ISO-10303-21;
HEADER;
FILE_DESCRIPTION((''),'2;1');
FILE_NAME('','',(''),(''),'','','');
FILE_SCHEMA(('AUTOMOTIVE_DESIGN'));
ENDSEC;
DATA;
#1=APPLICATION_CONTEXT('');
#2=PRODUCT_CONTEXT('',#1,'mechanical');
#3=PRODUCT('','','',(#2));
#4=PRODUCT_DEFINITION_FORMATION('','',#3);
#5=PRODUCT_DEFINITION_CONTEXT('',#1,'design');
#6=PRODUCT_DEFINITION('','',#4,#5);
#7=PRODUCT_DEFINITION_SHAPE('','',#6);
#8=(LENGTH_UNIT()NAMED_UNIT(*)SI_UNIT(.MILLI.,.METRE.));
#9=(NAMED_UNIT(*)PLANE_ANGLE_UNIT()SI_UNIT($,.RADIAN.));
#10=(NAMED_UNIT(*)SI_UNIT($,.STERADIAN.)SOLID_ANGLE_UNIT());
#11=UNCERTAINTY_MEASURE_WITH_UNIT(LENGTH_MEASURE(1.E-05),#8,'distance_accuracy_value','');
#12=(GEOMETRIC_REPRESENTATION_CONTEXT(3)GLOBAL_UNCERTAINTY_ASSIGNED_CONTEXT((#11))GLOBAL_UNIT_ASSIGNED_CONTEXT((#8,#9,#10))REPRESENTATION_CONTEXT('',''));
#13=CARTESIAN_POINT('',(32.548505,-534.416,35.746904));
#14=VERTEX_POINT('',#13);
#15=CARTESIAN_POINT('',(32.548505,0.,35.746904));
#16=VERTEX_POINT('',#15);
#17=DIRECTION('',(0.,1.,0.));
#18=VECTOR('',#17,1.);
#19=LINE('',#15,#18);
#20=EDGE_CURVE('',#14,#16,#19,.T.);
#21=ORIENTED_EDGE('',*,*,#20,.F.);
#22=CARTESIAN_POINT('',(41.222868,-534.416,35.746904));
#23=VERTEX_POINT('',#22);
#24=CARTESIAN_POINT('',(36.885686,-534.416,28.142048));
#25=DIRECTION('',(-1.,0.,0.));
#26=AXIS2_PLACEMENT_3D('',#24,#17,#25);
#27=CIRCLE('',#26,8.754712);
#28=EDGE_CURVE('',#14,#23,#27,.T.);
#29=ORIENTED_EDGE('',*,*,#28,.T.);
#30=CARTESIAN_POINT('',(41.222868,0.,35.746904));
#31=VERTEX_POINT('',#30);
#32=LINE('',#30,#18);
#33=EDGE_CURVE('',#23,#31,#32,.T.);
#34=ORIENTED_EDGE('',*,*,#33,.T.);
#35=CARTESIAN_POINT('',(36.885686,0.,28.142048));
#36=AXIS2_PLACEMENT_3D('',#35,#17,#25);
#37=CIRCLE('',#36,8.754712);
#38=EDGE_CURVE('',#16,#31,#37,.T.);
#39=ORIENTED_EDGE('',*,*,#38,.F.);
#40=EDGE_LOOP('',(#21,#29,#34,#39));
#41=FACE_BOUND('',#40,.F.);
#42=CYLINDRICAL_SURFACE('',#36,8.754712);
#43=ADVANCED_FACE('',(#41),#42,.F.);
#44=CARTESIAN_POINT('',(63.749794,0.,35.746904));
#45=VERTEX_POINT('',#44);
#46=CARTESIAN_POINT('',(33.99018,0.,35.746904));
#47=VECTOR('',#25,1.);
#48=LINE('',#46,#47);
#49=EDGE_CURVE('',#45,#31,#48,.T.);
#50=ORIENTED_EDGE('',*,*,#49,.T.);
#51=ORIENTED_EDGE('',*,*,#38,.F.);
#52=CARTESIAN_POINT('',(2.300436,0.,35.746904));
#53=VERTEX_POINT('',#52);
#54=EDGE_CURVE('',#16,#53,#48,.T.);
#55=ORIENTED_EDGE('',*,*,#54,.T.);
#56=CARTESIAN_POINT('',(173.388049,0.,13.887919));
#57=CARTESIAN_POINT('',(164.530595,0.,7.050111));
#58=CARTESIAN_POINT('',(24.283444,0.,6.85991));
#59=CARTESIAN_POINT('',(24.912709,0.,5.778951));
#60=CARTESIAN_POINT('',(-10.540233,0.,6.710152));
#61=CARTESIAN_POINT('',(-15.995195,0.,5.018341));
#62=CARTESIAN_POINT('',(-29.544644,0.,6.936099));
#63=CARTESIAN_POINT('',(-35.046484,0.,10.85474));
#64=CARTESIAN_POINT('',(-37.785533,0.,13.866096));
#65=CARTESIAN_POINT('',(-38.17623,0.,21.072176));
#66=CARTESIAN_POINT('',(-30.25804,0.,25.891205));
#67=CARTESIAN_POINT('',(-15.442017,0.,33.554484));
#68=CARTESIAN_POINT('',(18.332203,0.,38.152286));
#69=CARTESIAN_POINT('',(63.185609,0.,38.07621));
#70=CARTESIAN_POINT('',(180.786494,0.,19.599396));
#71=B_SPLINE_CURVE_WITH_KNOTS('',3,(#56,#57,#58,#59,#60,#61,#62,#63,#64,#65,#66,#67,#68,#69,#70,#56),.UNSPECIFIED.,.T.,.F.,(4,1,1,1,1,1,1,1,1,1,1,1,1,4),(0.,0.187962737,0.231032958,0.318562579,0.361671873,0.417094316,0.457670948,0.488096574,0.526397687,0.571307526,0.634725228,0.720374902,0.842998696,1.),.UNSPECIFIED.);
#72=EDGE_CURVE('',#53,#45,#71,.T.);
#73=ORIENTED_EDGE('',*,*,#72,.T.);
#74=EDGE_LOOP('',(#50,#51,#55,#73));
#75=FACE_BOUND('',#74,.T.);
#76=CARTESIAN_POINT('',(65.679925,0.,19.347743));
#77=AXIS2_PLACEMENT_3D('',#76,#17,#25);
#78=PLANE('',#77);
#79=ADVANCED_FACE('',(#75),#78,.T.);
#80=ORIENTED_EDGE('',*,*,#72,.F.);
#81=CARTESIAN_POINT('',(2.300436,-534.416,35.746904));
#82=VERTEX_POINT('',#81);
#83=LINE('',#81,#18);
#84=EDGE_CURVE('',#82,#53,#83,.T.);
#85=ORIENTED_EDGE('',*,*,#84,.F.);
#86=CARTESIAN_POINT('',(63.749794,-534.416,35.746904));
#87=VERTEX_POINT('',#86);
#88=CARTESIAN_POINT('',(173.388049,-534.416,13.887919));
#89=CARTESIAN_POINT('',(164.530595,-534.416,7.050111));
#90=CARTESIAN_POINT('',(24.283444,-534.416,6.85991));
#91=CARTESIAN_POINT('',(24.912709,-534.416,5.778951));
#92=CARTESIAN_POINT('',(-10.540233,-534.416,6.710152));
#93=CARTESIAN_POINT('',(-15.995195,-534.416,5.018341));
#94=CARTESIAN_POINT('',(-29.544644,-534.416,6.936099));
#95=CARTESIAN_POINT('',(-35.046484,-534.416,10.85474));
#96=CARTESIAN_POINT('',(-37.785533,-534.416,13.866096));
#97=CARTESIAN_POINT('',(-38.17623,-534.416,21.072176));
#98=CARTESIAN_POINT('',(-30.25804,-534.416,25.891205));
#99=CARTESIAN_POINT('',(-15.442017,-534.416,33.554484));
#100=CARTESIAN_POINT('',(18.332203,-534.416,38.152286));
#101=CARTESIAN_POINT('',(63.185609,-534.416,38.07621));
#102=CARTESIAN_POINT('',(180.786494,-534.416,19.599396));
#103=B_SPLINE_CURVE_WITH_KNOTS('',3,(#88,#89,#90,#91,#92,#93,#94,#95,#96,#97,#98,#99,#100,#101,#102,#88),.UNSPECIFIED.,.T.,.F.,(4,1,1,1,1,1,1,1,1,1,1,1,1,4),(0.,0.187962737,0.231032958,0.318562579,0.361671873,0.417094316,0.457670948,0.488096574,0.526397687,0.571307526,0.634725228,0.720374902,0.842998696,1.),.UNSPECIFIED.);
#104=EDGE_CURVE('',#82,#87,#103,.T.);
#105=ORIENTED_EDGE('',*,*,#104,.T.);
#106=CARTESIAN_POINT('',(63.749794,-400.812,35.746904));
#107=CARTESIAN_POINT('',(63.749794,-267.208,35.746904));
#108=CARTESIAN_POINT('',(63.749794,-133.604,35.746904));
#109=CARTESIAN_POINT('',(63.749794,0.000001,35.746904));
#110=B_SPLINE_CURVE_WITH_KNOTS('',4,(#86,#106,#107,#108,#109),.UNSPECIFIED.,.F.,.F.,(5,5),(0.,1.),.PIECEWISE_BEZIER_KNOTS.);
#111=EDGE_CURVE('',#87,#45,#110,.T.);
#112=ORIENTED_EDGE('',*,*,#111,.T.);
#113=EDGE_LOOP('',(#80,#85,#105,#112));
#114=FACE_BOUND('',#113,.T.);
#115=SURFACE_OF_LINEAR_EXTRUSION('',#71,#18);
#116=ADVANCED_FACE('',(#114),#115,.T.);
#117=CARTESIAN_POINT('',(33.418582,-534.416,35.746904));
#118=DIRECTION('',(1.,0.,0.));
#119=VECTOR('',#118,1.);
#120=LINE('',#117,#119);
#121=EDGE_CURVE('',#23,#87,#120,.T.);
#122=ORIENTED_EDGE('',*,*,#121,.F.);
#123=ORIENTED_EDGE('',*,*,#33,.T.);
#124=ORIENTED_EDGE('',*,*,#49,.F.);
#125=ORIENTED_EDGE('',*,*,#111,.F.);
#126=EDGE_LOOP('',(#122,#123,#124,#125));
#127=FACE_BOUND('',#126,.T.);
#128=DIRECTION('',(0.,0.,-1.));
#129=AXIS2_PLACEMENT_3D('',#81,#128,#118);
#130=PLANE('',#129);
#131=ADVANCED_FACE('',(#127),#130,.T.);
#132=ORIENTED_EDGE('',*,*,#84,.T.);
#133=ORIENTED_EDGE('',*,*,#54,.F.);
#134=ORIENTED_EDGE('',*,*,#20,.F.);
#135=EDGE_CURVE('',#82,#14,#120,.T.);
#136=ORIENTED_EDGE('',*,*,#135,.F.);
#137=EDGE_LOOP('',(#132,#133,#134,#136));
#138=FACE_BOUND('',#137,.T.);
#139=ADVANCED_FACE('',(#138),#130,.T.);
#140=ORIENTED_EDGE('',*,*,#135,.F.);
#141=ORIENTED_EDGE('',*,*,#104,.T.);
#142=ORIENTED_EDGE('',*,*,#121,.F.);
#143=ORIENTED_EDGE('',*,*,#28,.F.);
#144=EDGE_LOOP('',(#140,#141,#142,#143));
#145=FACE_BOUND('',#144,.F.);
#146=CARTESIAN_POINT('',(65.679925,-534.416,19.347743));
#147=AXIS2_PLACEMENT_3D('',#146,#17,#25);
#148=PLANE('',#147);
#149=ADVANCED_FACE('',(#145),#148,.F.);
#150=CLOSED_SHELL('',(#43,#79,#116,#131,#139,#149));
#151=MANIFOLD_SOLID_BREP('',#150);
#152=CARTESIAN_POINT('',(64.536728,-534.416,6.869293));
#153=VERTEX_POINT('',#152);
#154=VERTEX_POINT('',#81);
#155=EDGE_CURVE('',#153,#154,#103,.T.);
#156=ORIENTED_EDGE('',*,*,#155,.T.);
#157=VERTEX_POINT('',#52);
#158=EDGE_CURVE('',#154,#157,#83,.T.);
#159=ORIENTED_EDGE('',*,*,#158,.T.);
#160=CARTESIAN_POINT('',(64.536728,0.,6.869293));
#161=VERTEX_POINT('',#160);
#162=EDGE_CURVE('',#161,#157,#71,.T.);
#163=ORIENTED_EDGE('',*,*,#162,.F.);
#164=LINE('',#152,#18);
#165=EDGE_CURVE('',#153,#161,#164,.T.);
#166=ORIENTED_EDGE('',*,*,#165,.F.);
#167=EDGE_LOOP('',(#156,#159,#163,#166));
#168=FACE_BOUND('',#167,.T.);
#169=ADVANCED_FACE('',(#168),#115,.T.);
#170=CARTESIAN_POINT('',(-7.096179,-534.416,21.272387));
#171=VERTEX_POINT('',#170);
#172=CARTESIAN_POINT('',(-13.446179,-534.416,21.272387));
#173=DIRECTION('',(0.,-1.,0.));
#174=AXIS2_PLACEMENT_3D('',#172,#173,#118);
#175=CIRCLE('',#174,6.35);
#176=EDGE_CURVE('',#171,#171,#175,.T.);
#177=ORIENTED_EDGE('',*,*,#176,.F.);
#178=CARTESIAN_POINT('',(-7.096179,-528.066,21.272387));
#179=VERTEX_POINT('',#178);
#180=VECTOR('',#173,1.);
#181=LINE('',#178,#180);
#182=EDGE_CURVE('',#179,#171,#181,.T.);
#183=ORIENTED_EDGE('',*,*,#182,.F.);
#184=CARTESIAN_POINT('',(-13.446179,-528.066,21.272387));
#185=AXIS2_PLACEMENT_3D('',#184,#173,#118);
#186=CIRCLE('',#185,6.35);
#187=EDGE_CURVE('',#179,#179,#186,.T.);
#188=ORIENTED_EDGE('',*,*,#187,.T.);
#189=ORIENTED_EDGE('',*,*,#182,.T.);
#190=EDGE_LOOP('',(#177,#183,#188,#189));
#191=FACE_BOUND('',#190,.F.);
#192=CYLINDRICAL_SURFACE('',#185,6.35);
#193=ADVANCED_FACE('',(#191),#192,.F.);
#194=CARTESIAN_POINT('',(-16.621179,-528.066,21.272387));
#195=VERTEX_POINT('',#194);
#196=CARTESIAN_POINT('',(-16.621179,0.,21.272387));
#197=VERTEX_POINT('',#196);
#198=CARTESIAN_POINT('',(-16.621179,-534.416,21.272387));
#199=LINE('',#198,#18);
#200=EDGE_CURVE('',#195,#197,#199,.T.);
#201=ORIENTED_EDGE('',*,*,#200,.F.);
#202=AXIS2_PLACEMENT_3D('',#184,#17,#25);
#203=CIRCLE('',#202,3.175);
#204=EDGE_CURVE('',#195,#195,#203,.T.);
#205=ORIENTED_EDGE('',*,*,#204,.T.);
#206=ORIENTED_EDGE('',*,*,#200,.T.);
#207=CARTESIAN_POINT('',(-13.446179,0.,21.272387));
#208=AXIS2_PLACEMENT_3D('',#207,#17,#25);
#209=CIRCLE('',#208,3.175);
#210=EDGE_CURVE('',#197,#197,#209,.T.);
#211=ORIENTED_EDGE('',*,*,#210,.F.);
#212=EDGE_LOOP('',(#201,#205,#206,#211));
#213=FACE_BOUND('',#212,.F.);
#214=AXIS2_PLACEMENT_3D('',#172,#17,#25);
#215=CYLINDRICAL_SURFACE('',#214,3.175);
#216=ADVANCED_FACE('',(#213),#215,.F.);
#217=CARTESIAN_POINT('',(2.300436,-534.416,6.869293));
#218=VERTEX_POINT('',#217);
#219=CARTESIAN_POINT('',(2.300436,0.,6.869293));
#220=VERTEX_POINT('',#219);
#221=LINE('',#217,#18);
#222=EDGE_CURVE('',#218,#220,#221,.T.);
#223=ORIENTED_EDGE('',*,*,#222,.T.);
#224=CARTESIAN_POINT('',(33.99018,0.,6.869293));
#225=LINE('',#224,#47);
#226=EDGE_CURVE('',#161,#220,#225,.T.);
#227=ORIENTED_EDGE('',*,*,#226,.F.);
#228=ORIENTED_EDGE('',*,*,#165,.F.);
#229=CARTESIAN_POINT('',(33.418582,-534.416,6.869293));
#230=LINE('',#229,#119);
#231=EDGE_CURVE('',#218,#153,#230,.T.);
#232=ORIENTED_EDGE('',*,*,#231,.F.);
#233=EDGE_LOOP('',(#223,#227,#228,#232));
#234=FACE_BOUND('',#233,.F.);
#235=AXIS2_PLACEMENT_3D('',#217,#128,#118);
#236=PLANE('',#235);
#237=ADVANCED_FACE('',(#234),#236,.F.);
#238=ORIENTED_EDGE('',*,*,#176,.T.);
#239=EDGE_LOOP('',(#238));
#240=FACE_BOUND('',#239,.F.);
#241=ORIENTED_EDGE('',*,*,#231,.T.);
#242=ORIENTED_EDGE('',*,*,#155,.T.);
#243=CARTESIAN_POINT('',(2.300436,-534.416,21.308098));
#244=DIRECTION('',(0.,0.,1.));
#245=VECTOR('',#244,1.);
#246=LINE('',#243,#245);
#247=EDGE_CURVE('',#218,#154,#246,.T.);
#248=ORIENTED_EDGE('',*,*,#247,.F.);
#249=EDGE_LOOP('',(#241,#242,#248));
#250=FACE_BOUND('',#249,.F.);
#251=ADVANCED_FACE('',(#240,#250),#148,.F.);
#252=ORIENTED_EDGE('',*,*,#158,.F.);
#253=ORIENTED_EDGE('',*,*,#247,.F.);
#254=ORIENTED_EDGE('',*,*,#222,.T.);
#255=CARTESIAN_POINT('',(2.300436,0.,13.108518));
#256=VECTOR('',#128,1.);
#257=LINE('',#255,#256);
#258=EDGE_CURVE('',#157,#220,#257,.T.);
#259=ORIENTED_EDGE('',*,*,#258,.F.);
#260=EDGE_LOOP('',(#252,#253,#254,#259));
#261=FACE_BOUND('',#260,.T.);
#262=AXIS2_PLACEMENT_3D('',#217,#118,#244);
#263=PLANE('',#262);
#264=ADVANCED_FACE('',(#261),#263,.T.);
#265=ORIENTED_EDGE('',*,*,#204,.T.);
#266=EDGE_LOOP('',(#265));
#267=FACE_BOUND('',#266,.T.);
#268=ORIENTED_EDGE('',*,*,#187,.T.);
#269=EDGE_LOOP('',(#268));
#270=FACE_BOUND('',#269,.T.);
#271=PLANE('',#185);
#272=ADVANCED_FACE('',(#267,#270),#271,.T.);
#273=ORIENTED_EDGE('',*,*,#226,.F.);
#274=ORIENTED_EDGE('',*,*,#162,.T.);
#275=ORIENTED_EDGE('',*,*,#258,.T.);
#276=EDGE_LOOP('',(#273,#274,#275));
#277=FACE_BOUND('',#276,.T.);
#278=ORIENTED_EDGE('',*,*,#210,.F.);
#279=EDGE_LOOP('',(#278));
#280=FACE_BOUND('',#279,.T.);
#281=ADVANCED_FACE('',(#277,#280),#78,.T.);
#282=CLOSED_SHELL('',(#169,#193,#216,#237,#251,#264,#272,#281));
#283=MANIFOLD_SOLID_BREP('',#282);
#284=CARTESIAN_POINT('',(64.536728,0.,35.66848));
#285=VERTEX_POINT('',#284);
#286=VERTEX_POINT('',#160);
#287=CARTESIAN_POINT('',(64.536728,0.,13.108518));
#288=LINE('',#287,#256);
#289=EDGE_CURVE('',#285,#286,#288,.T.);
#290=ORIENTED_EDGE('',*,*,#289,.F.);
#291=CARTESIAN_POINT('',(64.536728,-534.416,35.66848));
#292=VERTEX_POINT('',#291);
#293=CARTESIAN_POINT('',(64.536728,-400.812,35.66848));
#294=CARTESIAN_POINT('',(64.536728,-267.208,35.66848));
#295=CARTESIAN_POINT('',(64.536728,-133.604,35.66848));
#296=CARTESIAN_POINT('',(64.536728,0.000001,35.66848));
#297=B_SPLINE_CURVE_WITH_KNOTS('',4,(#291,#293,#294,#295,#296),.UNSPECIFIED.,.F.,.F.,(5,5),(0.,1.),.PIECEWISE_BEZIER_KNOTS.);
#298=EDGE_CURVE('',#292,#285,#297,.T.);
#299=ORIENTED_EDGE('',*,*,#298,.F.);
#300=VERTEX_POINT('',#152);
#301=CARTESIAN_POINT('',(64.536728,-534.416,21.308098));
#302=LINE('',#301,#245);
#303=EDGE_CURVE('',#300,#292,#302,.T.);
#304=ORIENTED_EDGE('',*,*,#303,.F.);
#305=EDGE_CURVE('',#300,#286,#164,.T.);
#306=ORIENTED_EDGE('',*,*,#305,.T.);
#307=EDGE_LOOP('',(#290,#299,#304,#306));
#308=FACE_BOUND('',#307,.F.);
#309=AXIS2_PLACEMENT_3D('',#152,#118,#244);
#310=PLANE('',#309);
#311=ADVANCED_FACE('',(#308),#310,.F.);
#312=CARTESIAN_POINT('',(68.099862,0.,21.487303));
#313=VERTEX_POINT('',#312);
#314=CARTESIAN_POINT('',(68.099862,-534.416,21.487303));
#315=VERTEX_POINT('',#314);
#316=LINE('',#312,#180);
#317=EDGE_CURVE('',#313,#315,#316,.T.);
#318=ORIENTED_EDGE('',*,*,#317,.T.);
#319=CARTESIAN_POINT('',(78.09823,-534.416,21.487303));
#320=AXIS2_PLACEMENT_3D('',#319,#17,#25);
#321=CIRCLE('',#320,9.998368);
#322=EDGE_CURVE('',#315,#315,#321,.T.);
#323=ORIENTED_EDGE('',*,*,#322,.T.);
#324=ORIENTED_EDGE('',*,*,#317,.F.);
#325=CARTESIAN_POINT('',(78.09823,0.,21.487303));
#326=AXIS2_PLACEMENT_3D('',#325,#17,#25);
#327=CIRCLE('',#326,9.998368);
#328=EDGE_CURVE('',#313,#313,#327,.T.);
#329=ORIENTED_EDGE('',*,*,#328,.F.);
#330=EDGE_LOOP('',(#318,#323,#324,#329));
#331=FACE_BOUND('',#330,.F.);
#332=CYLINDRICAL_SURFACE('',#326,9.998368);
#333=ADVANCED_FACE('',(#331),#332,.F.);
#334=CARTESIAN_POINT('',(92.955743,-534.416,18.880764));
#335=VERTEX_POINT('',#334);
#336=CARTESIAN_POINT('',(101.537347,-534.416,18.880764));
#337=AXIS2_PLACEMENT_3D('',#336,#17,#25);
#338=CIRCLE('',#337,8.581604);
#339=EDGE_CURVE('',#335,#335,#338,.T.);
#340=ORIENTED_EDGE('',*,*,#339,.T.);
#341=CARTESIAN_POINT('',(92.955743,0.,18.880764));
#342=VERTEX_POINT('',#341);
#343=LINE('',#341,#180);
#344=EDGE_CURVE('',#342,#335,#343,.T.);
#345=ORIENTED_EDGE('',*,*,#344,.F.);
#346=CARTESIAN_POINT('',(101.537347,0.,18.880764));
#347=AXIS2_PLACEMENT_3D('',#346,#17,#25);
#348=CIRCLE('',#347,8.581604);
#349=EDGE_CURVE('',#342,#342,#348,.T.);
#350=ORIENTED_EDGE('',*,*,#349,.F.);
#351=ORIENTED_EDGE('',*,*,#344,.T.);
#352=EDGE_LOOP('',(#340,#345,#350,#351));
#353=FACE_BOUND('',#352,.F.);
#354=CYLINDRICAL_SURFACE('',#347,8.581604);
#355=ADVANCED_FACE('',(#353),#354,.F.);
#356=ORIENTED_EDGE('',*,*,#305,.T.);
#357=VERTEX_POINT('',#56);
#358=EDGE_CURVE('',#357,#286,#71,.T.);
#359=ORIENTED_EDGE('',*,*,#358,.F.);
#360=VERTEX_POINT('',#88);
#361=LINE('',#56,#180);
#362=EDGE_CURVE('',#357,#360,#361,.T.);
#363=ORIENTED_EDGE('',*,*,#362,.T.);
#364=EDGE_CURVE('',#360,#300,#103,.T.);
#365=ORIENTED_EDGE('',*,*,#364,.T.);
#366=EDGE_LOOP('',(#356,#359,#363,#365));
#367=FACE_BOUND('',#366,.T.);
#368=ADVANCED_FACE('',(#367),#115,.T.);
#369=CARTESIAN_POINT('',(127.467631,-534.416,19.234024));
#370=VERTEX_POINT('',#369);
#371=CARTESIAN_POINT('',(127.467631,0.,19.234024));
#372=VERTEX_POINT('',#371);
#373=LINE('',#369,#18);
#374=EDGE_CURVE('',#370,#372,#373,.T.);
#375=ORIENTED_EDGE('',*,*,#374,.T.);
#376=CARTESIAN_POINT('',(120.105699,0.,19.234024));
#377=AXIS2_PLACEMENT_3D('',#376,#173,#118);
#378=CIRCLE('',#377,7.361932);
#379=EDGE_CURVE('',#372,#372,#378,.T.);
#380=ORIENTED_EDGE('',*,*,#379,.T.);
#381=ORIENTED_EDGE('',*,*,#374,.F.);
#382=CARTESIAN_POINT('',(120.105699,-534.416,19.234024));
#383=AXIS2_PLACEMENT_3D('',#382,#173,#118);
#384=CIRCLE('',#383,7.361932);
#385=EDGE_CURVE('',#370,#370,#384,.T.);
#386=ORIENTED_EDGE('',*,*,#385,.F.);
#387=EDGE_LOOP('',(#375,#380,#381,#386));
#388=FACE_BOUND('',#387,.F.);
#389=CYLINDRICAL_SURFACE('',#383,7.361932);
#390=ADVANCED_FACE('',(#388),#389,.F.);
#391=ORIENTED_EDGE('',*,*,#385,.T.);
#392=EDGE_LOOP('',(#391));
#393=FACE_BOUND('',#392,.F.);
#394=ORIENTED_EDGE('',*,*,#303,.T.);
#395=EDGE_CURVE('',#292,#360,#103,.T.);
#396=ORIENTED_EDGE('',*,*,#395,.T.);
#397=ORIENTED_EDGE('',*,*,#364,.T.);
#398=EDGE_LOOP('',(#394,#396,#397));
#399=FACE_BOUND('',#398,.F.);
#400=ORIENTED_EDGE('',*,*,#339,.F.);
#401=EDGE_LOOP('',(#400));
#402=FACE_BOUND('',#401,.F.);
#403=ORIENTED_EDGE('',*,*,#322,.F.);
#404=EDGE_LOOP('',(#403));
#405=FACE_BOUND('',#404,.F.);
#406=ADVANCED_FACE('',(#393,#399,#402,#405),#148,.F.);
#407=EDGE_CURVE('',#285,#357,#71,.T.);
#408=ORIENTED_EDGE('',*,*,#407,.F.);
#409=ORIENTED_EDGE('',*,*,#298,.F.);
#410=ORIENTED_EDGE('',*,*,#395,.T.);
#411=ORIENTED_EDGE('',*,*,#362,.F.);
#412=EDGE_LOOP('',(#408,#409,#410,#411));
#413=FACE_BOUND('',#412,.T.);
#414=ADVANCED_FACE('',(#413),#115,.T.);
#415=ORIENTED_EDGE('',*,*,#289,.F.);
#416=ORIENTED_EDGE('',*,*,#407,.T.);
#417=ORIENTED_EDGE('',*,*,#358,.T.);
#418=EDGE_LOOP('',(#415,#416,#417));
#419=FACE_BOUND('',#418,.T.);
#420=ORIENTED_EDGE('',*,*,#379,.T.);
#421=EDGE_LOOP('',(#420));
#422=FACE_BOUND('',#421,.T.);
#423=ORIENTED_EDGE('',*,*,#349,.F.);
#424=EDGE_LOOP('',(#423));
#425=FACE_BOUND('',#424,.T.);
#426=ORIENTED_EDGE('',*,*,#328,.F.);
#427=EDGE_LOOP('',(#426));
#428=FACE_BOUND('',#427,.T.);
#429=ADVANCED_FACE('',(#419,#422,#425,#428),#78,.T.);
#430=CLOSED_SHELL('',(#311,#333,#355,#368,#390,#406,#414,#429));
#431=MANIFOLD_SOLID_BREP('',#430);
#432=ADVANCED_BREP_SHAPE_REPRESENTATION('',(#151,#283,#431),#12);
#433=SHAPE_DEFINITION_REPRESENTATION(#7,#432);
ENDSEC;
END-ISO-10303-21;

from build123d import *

# Parameters (mm, degrees)
F1_DEPTH       = 534.416
F3_D           = 6.35
F3_CBORE_D     = 12.7
F3_CBORE_DEPTH = 6.35
F4_R           = 8.7547116009
F5_DEPTH       = 703.326
F6_R           = 8.914193413
F6_R_2         = 9.9983676921
F6_R_3         = 8.5816038422
F7_DEPTH       = 728.98
F8_W           = 62.2362921732
F8_H           = 28.8776109622
F9_DEPTH       = 623.57
F10_R          = 7.3619322242
F11_DEPTH      = 581.914


with BuildPart() as f1:
    # F0 (on Front) → F1 (new body)
    with BuildSketch(Plane.XZ):
        with BuildLine():
            add(Edge.make_bspline(
                [(173.3880490065, 13.8879194856), (164.5305947013, 7.050111341), (24.2834440376, 6.8599097984), (24.9127091162, 5.7789513973), (-10.5402333323, 6.7101515187), (-15.9951954524, 5.0183412735), (-29.5446436293, 6.9360993211), (-35.0464840313, 10.8547403654), (-37.7855329704, 13.8660963383), (-38.1762304635, 21.0721764744), (-30.2580395878, 25.8912049589), (-15.4420167015, 33.554483769), (18.3322031726, 38.1522856015), (63.185609008, 38.0762095864), (180.7864935318, 19.5993962247), (173.3880490065, 13.8879194856)],
                knots=[0, 0, 0, 0, 0.1879627366, 0.2310329582, 0.3185625787, 0.3616718733, 0.417094316, 0.4576709477, 0.4880965738, 0.5263976869, 0.5713075264, 0.6347252281, 0.7203749023, 0.8429986956, 1, 1, 1, 1], degree=3))
        make_face()
    extrude(amount=F1_DEPTH)

    # F3 (through all)
    with Locations(Plane.XZ.offset(534.416)):
        with Locations((-13.4461792186, 21.2723873556)):
            CounterBoreHole(F3_D / 2, F3_CBORE_D / 2, F3_CBORE_DEPTH)

    # F4 (on face) → F5 (cut)
    with BuildSketch(Plane(origin=(0, 0, 0), x_dir=(-1, 0, 0), z_dir=(0, 1, 0))):
        with Locations((-36.8856862187, 28.142048046)):
            Circle(F4_R)
    extrude(amount=-F5_DEPTH, mode=Mode.SUBTRACT)

    # F6 (on face) → F7 (cut)
    with BuildSketch(Plane(origin=(0, 0, 0), x_dir=(-1, 0, 0), z_dir=(0, 1, 0))):
        with Locations((-55.357966572, 22.5926842541)):
            Circle(F6_R)
        with Locations((-78.0982300639, 21.4873030782)):
            Circle(F6_R_2)
        with Locations((-101.5373468399, 18.8807640225)):
            Circle(F6_R_3)
    extrude(amount=-F7_DEPTH, mode=Mode.SUBTRACT)

    # F8 (on face) → F9 (cut)
    with BuildSketch(Plane.XZ.offset(534.416)):
        with Locations((33.4185816673, 21.3080984521)):
            Rectangle(F8_W, F8_H)
    extrude(amount=-F9_DEPTH, mode=Mode.SUBTRACT)

    # F10 (on face) → F11 (cut)
    with BuildSketch(Plane.XZ.offset(534.416)):
        with Locations((120.1056987047, 19.2340239882)):
            Circle(F10_R)
    extrude(amount=-F11_DEPTH, mode=Mode.SUBTRACT)


solid = f1.part
